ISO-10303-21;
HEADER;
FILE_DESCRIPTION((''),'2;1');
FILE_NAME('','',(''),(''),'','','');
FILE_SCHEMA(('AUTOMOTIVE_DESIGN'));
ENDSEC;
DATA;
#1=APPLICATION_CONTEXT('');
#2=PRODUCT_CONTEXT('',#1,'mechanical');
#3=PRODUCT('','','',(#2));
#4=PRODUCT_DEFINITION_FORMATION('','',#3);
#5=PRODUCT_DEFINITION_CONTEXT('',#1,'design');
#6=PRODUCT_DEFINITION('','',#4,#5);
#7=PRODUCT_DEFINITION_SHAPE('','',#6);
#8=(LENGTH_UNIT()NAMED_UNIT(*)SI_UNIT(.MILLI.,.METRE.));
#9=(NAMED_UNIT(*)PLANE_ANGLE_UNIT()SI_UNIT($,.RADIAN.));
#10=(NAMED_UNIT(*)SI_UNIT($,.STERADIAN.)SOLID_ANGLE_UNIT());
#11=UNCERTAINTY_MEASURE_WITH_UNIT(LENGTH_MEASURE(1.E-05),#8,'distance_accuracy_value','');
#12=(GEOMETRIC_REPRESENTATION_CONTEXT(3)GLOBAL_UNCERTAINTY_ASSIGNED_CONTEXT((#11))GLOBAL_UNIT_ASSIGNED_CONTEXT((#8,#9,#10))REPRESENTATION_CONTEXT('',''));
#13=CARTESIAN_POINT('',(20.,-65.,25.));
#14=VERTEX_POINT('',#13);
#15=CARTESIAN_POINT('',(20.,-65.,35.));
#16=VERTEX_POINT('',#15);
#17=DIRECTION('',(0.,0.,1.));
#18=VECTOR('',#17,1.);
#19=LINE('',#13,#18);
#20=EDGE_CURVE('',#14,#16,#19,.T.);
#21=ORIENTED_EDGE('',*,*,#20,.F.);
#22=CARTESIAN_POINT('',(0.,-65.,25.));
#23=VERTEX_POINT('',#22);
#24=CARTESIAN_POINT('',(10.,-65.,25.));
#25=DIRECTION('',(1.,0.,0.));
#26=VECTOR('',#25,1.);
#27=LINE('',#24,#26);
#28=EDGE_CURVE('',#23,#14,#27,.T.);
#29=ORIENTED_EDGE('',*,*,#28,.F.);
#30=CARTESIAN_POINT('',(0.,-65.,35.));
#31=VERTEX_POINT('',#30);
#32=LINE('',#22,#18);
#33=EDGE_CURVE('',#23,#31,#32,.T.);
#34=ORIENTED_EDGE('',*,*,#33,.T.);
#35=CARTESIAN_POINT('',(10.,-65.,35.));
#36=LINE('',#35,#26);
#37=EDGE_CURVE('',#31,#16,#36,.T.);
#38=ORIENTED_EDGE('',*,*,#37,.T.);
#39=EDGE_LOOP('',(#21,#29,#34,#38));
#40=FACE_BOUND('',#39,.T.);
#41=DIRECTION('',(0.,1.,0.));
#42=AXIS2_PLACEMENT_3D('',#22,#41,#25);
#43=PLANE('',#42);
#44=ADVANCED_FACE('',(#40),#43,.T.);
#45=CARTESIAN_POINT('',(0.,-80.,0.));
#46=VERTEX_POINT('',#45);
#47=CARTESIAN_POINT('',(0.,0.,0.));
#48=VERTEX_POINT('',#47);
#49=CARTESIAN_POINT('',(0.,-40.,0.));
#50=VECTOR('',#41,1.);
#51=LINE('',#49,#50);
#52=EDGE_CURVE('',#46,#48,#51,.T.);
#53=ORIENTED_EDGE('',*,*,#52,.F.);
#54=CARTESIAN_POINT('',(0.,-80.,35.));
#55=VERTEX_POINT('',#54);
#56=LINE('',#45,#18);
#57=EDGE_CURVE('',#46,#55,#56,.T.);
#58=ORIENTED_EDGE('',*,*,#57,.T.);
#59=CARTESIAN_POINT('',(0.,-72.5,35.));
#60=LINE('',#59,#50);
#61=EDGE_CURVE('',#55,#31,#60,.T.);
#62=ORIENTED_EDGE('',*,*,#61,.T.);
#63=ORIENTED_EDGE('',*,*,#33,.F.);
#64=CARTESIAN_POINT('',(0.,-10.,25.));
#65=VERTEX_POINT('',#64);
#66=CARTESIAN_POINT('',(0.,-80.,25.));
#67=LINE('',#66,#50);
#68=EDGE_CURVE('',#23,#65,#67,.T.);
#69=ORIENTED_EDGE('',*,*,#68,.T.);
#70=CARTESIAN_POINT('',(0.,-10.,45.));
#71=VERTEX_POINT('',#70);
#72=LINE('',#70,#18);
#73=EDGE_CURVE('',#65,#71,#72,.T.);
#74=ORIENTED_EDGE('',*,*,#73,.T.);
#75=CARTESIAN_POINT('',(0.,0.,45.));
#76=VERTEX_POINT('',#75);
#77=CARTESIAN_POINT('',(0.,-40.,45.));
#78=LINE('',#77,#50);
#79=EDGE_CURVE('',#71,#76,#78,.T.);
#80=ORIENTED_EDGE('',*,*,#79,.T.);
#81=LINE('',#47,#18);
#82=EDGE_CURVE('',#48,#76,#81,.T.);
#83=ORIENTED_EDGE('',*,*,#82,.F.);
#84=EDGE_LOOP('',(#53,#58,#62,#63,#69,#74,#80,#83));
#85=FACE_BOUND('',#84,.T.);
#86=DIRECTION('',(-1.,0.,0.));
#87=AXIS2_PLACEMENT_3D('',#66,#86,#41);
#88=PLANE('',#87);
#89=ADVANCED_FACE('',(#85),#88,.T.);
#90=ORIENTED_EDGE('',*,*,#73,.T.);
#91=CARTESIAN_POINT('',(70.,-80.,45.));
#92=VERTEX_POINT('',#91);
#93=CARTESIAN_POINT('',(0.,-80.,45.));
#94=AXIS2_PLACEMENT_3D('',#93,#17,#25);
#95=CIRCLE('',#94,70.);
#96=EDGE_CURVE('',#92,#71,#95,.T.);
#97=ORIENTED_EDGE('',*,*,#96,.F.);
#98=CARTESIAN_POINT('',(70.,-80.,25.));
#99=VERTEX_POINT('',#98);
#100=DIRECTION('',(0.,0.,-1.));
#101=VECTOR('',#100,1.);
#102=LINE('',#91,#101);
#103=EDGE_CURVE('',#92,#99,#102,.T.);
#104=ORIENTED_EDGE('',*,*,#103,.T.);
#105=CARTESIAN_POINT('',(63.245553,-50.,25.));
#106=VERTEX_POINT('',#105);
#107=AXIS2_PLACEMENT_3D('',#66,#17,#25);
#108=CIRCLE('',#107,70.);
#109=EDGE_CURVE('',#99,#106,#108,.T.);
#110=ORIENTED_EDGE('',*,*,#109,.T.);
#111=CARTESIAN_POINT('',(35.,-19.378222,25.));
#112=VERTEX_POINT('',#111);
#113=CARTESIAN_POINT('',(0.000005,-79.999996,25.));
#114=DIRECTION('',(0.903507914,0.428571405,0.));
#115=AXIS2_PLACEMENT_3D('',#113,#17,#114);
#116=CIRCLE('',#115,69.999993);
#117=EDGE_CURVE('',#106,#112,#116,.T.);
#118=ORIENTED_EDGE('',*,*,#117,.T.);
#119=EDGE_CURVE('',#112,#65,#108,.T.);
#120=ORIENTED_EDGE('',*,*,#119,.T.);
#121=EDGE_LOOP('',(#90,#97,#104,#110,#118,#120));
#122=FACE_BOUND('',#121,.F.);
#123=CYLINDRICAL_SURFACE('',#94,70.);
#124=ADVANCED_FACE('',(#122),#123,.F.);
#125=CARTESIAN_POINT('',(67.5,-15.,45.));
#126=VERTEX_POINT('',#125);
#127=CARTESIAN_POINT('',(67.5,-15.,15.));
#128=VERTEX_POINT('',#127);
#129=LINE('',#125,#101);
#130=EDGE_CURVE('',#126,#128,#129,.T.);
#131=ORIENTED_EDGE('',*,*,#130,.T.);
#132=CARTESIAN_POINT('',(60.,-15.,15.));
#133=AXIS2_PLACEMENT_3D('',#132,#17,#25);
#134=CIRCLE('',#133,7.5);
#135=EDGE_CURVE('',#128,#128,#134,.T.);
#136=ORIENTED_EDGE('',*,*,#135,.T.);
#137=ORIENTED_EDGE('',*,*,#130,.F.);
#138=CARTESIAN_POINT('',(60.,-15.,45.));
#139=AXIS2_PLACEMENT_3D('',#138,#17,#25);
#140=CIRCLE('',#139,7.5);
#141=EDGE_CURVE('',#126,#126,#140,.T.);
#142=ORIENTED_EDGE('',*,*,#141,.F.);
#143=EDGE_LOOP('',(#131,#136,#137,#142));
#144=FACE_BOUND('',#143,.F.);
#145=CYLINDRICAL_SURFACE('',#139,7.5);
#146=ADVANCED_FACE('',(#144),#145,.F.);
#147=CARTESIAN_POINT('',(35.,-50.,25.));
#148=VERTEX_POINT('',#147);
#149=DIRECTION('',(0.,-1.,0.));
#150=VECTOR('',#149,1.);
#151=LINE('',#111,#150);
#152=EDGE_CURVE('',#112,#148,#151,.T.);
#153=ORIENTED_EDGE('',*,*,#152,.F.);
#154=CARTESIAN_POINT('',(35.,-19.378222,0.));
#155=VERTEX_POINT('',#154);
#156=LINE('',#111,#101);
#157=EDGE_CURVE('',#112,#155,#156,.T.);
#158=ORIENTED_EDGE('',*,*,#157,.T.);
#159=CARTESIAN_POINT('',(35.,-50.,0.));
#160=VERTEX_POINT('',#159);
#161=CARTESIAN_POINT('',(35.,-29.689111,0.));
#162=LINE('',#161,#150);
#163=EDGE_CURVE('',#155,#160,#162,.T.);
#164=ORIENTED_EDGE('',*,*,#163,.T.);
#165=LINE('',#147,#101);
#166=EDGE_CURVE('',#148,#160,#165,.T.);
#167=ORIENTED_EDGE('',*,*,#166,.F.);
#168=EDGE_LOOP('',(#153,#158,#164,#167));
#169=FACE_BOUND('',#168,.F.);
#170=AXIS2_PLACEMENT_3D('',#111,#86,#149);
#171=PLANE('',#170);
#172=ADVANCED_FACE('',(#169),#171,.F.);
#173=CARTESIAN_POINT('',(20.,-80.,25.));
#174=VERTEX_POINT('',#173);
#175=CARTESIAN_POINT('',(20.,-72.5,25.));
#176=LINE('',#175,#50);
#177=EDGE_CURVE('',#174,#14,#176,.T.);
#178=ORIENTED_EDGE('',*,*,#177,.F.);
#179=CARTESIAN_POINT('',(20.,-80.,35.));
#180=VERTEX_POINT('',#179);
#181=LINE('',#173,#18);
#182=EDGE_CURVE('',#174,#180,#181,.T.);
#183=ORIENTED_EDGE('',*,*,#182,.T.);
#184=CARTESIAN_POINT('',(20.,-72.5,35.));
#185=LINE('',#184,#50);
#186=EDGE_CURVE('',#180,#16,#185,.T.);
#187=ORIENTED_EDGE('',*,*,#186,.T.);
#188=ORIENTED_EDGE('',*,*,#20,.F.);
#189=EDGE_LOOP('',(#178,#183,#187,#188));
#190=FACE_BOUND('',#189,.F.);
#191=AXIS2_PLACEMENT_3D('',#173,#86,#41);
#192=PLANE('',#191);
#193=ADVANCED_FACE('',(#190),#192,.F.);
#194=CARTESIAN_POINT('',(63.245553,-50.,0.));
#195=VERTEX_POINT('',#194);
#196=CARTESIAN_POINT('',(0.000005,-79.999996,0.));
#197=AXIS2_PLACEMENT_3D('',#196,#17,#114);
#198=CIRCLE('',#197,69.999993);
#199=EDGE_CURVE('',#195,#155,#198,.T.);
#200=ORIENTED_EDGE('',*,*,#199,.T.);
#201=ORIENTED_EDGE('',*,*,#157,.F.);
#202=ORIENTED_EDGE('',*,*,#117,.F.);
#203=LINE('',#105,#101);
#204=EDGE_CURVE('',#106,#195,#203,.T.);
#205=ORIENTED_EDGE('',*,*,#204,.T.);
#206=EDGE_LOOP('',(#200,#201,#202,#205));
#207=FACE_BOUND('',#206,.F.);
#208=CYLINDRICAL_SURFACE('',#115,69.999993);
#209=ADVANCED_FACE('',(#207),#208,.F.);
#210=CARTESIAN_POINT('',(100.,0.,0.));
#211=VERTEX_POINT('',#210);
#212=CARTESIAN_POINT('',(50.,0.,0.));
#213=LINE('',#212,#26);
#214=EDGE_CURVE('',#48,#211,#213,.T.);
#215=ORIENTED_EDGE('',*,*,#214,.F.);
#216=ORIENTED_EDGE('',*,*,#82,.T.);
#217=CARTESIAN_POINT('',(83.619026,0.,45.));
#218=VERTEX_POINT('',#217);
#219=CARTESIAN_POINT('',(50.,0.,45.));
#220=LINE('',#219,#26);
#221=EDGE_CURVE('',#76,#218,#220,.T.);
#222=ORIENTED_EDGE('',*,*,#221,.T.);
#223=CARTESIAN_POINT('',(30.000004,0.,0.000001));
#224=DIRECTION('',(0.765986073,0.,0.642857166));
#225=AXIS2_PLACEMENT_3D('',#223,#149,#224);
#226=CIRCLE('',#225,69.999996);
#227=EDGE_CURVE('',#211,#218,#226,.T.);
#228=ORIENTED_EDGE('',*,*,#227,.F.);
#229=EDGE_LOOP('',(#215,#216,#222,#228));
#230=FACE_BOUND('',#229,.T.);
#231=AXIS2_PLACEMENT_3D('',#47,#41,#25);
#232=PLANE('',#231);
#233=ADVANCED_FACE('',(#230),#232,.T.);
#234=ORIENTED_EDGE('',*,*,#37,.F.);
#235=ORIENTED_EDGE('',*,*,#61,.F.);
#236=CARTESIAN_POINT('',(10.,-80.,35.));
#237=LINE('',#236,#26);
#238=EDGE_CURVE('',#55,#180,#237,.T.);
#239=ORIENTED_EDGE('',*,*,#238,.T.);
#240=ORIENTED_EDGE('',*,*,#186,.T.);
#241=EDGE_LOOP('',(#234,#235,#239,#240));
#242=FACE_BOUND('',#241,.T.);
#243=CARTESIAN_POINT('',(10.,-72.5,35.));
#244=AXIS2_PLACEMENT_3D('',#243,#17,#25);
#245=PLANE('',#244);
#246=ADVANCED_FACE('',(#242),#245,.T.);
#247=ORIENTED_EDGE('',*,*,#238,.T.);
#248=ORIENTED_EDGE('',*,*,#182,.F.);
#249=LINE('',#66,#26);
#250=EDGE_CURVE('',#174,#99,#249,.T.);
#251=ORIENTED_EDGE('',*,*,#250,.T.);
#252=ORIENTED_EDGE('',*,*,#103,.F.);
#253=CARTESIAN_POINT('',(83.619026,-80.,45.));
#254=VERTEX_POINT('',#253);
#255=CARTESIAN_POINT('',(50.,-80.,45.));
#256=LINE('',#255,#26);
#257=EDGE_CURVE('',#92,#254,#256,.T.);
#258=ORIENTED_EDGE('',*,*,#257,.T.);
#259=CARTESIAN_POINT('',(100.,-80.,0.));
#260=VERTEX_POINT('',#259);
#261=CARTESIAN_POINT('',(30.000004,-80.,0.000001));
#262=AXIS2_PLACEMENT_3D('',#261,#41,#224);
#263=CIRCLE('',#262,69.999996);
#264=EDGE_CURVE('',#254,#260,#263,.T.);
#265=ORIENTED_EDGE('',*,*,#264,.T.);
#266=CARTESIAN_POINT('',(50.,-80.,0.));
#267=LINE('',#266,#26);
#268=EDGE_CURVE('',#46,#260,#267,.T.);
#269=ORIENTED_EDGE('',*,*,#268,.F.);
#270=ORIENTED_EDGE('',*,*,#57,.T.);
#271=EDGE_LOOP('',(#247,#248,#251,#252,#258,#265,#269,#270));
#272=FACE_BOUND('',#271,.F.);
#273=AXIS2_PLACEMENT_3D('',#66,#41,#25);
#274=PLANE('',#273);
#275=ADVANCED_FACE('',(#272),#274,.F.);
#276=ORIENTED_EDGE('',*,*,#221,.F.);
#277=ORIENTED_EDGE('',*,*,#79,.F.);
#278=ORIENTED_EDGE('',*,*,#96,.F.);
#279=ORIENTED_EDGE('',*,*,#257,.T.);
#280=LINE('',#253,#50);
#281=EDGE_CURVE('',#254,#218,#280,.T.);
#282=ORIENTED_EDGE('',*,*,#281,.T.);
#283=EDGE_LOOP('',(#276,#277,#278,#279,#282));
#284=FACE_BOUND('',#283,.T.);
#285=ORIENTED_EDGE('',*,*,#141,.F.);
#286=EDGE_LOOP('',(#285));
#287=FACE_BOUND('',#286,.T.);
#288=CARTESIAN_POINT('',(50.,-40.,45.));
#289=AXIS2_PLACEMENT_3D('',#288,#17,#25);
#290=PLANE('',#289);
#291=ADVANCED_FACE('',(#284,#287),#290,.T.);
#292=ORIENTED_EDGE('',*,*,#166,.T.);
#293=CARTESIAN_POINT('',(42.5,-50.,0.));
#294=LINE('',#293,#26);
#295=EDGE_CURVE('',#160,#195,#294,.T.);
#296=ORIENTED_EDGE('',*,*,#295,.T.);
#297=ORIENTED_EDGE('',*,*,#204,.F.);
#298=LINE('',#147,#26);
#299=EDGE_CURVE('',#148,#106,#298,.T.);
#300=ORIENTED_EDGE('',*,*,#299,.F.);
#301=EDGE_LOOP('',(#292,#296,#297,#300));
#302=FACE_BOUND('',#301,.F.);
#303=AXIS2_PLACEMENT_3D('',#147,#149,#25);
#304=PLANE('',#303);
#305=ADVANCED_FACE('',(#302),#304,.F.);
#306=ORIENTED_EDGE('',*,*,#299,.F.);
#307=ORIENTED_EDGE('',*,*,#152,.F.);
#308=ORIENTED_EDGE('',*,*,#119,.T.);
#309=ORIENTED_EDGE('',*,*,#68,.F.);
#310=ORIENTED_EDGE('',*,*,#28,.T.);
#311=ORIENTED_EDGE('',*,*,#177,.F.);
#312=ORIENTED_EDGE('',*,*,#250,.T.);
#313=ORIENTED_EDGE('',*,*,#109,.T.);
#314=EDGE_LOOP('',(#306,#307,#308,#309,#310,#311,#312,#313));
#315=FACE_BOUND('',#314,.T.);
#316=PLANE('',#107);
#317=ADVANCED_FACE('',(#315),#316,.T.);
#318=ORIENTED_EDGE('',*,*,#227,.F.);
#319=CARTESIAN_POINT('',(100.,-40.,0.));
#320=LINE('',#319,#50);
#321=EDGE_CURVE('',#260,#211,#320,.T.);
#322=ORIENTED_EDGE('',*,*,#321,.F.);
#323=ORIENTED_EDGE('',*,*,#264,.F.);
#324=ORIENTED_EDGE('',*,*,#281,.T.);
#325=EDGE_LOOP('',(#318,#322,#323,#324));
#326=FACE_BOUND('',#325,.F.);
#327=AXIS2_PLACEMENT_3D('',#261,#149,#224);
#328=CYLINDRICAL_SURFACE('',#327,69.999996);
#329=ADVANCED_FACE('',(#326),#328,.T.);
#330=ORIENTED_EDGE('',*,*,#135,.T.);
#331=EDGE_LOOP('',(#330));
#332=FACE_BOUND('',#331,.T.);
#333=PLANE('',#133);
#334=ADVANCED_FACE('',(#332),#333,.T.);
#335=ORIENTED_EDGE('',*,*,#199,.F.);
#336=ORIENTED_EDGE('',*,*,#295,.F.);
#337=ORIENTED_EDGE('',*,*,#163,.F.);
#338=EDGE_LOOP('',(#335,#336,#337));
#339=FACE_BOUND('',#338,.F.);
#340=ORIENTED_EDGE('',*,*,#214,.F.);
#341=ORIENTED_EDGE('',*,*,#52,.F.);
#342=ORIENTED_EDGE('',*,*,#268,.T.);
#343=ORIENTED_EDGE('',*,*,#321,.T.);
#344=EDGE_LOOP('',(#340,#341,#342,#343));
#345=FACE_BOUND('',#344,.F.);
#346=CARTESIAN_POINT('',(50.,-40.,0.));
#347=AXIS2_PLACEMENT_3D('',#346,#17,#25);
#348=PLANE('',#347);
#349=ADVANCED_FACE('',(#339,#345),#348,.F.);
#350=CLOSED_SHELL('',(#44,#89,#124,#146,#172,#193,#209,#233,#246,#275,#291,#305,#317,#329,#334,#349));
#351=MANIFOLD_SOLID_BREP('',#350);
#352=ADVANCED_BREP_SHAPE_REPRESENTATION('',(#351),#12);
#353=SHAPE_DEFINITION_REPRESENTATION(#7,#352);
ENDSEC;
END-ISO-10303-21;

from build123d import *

# Parameters (mm, degrees)
F0_W      = 100
F0_H      = 80
F1_DEPTH  = 45
F2_R      = 70
F3_DEPTH  = 20
F4_W      = 20
F4_H      = 15
F5_DEPTH  = 10
F7_DEPTH  = 151.8
F8_R      = 7.5
F9_DEPTH  = 30
F11_DEPTH = 85.3


with BuildPart() as f1:
    # F0 (on Top) → F1 (new body)
    with BuildSketch(Plane.XY):
        with Locations((50, -40)):
            Rectangle(F0_W, F0_H)
    extrude(amount=F1_DEPTH)

    # F2 (on face) → F3 (cut)
    with BuildSketch(Plane.XY.offset(45)):
        with Locations((0, -80)):
            Circle(F2_R)
    extrude(amount=-F3_DEPTH, mode=Mode.SUBTRACT)

    # F4 (on face) → F5 (join)
    with BuildSketch(Plane.XY.offset(25)):
        with Locations((10, -72.5)):
            Rectangle(F4_W, F4_H)
    extrude(amount=F5_DEPTH)

    # F6 (on face) → F7 (cut)
    with BuildSketch(Plane.XY.offset(25)):
        with BuildLine():
            Line((35, -50), (63.245553, -50))
            ThreePointArc((63.245553, -50), (51.453576, -32.539179), (35, -19.378222))
            Line((35, -19.378222), (35, -50))
        make_face()
    extrude(amount=-F7_DEPTH, mode=Mode.SUBTRACT)

    # F8 (on face) → F9 (cut)
    with BuildSketch(Plane.XY.offset(45)):
        with Locations((60, -15)):
            Circle(F8_R)
    extrude(amount=-F9_DEPTH, mode=Mode.SUBTRACT)

    # F10 (on face) → F11 (cut)
    with BuildSketch(Plane.XZ.offset(80)):
        with BuildLine():
            ThreePointArc((83.619026, 45), (95.777397, 23.944395), (100, 0))
            Line((100, 0), (100, 45))
            Line((100, 45), (83.619026, 45))
        make_face()
    extrude(amount=-F11_DEPTH, mode=Mode.SUBTRACT)


solid = f1.part
